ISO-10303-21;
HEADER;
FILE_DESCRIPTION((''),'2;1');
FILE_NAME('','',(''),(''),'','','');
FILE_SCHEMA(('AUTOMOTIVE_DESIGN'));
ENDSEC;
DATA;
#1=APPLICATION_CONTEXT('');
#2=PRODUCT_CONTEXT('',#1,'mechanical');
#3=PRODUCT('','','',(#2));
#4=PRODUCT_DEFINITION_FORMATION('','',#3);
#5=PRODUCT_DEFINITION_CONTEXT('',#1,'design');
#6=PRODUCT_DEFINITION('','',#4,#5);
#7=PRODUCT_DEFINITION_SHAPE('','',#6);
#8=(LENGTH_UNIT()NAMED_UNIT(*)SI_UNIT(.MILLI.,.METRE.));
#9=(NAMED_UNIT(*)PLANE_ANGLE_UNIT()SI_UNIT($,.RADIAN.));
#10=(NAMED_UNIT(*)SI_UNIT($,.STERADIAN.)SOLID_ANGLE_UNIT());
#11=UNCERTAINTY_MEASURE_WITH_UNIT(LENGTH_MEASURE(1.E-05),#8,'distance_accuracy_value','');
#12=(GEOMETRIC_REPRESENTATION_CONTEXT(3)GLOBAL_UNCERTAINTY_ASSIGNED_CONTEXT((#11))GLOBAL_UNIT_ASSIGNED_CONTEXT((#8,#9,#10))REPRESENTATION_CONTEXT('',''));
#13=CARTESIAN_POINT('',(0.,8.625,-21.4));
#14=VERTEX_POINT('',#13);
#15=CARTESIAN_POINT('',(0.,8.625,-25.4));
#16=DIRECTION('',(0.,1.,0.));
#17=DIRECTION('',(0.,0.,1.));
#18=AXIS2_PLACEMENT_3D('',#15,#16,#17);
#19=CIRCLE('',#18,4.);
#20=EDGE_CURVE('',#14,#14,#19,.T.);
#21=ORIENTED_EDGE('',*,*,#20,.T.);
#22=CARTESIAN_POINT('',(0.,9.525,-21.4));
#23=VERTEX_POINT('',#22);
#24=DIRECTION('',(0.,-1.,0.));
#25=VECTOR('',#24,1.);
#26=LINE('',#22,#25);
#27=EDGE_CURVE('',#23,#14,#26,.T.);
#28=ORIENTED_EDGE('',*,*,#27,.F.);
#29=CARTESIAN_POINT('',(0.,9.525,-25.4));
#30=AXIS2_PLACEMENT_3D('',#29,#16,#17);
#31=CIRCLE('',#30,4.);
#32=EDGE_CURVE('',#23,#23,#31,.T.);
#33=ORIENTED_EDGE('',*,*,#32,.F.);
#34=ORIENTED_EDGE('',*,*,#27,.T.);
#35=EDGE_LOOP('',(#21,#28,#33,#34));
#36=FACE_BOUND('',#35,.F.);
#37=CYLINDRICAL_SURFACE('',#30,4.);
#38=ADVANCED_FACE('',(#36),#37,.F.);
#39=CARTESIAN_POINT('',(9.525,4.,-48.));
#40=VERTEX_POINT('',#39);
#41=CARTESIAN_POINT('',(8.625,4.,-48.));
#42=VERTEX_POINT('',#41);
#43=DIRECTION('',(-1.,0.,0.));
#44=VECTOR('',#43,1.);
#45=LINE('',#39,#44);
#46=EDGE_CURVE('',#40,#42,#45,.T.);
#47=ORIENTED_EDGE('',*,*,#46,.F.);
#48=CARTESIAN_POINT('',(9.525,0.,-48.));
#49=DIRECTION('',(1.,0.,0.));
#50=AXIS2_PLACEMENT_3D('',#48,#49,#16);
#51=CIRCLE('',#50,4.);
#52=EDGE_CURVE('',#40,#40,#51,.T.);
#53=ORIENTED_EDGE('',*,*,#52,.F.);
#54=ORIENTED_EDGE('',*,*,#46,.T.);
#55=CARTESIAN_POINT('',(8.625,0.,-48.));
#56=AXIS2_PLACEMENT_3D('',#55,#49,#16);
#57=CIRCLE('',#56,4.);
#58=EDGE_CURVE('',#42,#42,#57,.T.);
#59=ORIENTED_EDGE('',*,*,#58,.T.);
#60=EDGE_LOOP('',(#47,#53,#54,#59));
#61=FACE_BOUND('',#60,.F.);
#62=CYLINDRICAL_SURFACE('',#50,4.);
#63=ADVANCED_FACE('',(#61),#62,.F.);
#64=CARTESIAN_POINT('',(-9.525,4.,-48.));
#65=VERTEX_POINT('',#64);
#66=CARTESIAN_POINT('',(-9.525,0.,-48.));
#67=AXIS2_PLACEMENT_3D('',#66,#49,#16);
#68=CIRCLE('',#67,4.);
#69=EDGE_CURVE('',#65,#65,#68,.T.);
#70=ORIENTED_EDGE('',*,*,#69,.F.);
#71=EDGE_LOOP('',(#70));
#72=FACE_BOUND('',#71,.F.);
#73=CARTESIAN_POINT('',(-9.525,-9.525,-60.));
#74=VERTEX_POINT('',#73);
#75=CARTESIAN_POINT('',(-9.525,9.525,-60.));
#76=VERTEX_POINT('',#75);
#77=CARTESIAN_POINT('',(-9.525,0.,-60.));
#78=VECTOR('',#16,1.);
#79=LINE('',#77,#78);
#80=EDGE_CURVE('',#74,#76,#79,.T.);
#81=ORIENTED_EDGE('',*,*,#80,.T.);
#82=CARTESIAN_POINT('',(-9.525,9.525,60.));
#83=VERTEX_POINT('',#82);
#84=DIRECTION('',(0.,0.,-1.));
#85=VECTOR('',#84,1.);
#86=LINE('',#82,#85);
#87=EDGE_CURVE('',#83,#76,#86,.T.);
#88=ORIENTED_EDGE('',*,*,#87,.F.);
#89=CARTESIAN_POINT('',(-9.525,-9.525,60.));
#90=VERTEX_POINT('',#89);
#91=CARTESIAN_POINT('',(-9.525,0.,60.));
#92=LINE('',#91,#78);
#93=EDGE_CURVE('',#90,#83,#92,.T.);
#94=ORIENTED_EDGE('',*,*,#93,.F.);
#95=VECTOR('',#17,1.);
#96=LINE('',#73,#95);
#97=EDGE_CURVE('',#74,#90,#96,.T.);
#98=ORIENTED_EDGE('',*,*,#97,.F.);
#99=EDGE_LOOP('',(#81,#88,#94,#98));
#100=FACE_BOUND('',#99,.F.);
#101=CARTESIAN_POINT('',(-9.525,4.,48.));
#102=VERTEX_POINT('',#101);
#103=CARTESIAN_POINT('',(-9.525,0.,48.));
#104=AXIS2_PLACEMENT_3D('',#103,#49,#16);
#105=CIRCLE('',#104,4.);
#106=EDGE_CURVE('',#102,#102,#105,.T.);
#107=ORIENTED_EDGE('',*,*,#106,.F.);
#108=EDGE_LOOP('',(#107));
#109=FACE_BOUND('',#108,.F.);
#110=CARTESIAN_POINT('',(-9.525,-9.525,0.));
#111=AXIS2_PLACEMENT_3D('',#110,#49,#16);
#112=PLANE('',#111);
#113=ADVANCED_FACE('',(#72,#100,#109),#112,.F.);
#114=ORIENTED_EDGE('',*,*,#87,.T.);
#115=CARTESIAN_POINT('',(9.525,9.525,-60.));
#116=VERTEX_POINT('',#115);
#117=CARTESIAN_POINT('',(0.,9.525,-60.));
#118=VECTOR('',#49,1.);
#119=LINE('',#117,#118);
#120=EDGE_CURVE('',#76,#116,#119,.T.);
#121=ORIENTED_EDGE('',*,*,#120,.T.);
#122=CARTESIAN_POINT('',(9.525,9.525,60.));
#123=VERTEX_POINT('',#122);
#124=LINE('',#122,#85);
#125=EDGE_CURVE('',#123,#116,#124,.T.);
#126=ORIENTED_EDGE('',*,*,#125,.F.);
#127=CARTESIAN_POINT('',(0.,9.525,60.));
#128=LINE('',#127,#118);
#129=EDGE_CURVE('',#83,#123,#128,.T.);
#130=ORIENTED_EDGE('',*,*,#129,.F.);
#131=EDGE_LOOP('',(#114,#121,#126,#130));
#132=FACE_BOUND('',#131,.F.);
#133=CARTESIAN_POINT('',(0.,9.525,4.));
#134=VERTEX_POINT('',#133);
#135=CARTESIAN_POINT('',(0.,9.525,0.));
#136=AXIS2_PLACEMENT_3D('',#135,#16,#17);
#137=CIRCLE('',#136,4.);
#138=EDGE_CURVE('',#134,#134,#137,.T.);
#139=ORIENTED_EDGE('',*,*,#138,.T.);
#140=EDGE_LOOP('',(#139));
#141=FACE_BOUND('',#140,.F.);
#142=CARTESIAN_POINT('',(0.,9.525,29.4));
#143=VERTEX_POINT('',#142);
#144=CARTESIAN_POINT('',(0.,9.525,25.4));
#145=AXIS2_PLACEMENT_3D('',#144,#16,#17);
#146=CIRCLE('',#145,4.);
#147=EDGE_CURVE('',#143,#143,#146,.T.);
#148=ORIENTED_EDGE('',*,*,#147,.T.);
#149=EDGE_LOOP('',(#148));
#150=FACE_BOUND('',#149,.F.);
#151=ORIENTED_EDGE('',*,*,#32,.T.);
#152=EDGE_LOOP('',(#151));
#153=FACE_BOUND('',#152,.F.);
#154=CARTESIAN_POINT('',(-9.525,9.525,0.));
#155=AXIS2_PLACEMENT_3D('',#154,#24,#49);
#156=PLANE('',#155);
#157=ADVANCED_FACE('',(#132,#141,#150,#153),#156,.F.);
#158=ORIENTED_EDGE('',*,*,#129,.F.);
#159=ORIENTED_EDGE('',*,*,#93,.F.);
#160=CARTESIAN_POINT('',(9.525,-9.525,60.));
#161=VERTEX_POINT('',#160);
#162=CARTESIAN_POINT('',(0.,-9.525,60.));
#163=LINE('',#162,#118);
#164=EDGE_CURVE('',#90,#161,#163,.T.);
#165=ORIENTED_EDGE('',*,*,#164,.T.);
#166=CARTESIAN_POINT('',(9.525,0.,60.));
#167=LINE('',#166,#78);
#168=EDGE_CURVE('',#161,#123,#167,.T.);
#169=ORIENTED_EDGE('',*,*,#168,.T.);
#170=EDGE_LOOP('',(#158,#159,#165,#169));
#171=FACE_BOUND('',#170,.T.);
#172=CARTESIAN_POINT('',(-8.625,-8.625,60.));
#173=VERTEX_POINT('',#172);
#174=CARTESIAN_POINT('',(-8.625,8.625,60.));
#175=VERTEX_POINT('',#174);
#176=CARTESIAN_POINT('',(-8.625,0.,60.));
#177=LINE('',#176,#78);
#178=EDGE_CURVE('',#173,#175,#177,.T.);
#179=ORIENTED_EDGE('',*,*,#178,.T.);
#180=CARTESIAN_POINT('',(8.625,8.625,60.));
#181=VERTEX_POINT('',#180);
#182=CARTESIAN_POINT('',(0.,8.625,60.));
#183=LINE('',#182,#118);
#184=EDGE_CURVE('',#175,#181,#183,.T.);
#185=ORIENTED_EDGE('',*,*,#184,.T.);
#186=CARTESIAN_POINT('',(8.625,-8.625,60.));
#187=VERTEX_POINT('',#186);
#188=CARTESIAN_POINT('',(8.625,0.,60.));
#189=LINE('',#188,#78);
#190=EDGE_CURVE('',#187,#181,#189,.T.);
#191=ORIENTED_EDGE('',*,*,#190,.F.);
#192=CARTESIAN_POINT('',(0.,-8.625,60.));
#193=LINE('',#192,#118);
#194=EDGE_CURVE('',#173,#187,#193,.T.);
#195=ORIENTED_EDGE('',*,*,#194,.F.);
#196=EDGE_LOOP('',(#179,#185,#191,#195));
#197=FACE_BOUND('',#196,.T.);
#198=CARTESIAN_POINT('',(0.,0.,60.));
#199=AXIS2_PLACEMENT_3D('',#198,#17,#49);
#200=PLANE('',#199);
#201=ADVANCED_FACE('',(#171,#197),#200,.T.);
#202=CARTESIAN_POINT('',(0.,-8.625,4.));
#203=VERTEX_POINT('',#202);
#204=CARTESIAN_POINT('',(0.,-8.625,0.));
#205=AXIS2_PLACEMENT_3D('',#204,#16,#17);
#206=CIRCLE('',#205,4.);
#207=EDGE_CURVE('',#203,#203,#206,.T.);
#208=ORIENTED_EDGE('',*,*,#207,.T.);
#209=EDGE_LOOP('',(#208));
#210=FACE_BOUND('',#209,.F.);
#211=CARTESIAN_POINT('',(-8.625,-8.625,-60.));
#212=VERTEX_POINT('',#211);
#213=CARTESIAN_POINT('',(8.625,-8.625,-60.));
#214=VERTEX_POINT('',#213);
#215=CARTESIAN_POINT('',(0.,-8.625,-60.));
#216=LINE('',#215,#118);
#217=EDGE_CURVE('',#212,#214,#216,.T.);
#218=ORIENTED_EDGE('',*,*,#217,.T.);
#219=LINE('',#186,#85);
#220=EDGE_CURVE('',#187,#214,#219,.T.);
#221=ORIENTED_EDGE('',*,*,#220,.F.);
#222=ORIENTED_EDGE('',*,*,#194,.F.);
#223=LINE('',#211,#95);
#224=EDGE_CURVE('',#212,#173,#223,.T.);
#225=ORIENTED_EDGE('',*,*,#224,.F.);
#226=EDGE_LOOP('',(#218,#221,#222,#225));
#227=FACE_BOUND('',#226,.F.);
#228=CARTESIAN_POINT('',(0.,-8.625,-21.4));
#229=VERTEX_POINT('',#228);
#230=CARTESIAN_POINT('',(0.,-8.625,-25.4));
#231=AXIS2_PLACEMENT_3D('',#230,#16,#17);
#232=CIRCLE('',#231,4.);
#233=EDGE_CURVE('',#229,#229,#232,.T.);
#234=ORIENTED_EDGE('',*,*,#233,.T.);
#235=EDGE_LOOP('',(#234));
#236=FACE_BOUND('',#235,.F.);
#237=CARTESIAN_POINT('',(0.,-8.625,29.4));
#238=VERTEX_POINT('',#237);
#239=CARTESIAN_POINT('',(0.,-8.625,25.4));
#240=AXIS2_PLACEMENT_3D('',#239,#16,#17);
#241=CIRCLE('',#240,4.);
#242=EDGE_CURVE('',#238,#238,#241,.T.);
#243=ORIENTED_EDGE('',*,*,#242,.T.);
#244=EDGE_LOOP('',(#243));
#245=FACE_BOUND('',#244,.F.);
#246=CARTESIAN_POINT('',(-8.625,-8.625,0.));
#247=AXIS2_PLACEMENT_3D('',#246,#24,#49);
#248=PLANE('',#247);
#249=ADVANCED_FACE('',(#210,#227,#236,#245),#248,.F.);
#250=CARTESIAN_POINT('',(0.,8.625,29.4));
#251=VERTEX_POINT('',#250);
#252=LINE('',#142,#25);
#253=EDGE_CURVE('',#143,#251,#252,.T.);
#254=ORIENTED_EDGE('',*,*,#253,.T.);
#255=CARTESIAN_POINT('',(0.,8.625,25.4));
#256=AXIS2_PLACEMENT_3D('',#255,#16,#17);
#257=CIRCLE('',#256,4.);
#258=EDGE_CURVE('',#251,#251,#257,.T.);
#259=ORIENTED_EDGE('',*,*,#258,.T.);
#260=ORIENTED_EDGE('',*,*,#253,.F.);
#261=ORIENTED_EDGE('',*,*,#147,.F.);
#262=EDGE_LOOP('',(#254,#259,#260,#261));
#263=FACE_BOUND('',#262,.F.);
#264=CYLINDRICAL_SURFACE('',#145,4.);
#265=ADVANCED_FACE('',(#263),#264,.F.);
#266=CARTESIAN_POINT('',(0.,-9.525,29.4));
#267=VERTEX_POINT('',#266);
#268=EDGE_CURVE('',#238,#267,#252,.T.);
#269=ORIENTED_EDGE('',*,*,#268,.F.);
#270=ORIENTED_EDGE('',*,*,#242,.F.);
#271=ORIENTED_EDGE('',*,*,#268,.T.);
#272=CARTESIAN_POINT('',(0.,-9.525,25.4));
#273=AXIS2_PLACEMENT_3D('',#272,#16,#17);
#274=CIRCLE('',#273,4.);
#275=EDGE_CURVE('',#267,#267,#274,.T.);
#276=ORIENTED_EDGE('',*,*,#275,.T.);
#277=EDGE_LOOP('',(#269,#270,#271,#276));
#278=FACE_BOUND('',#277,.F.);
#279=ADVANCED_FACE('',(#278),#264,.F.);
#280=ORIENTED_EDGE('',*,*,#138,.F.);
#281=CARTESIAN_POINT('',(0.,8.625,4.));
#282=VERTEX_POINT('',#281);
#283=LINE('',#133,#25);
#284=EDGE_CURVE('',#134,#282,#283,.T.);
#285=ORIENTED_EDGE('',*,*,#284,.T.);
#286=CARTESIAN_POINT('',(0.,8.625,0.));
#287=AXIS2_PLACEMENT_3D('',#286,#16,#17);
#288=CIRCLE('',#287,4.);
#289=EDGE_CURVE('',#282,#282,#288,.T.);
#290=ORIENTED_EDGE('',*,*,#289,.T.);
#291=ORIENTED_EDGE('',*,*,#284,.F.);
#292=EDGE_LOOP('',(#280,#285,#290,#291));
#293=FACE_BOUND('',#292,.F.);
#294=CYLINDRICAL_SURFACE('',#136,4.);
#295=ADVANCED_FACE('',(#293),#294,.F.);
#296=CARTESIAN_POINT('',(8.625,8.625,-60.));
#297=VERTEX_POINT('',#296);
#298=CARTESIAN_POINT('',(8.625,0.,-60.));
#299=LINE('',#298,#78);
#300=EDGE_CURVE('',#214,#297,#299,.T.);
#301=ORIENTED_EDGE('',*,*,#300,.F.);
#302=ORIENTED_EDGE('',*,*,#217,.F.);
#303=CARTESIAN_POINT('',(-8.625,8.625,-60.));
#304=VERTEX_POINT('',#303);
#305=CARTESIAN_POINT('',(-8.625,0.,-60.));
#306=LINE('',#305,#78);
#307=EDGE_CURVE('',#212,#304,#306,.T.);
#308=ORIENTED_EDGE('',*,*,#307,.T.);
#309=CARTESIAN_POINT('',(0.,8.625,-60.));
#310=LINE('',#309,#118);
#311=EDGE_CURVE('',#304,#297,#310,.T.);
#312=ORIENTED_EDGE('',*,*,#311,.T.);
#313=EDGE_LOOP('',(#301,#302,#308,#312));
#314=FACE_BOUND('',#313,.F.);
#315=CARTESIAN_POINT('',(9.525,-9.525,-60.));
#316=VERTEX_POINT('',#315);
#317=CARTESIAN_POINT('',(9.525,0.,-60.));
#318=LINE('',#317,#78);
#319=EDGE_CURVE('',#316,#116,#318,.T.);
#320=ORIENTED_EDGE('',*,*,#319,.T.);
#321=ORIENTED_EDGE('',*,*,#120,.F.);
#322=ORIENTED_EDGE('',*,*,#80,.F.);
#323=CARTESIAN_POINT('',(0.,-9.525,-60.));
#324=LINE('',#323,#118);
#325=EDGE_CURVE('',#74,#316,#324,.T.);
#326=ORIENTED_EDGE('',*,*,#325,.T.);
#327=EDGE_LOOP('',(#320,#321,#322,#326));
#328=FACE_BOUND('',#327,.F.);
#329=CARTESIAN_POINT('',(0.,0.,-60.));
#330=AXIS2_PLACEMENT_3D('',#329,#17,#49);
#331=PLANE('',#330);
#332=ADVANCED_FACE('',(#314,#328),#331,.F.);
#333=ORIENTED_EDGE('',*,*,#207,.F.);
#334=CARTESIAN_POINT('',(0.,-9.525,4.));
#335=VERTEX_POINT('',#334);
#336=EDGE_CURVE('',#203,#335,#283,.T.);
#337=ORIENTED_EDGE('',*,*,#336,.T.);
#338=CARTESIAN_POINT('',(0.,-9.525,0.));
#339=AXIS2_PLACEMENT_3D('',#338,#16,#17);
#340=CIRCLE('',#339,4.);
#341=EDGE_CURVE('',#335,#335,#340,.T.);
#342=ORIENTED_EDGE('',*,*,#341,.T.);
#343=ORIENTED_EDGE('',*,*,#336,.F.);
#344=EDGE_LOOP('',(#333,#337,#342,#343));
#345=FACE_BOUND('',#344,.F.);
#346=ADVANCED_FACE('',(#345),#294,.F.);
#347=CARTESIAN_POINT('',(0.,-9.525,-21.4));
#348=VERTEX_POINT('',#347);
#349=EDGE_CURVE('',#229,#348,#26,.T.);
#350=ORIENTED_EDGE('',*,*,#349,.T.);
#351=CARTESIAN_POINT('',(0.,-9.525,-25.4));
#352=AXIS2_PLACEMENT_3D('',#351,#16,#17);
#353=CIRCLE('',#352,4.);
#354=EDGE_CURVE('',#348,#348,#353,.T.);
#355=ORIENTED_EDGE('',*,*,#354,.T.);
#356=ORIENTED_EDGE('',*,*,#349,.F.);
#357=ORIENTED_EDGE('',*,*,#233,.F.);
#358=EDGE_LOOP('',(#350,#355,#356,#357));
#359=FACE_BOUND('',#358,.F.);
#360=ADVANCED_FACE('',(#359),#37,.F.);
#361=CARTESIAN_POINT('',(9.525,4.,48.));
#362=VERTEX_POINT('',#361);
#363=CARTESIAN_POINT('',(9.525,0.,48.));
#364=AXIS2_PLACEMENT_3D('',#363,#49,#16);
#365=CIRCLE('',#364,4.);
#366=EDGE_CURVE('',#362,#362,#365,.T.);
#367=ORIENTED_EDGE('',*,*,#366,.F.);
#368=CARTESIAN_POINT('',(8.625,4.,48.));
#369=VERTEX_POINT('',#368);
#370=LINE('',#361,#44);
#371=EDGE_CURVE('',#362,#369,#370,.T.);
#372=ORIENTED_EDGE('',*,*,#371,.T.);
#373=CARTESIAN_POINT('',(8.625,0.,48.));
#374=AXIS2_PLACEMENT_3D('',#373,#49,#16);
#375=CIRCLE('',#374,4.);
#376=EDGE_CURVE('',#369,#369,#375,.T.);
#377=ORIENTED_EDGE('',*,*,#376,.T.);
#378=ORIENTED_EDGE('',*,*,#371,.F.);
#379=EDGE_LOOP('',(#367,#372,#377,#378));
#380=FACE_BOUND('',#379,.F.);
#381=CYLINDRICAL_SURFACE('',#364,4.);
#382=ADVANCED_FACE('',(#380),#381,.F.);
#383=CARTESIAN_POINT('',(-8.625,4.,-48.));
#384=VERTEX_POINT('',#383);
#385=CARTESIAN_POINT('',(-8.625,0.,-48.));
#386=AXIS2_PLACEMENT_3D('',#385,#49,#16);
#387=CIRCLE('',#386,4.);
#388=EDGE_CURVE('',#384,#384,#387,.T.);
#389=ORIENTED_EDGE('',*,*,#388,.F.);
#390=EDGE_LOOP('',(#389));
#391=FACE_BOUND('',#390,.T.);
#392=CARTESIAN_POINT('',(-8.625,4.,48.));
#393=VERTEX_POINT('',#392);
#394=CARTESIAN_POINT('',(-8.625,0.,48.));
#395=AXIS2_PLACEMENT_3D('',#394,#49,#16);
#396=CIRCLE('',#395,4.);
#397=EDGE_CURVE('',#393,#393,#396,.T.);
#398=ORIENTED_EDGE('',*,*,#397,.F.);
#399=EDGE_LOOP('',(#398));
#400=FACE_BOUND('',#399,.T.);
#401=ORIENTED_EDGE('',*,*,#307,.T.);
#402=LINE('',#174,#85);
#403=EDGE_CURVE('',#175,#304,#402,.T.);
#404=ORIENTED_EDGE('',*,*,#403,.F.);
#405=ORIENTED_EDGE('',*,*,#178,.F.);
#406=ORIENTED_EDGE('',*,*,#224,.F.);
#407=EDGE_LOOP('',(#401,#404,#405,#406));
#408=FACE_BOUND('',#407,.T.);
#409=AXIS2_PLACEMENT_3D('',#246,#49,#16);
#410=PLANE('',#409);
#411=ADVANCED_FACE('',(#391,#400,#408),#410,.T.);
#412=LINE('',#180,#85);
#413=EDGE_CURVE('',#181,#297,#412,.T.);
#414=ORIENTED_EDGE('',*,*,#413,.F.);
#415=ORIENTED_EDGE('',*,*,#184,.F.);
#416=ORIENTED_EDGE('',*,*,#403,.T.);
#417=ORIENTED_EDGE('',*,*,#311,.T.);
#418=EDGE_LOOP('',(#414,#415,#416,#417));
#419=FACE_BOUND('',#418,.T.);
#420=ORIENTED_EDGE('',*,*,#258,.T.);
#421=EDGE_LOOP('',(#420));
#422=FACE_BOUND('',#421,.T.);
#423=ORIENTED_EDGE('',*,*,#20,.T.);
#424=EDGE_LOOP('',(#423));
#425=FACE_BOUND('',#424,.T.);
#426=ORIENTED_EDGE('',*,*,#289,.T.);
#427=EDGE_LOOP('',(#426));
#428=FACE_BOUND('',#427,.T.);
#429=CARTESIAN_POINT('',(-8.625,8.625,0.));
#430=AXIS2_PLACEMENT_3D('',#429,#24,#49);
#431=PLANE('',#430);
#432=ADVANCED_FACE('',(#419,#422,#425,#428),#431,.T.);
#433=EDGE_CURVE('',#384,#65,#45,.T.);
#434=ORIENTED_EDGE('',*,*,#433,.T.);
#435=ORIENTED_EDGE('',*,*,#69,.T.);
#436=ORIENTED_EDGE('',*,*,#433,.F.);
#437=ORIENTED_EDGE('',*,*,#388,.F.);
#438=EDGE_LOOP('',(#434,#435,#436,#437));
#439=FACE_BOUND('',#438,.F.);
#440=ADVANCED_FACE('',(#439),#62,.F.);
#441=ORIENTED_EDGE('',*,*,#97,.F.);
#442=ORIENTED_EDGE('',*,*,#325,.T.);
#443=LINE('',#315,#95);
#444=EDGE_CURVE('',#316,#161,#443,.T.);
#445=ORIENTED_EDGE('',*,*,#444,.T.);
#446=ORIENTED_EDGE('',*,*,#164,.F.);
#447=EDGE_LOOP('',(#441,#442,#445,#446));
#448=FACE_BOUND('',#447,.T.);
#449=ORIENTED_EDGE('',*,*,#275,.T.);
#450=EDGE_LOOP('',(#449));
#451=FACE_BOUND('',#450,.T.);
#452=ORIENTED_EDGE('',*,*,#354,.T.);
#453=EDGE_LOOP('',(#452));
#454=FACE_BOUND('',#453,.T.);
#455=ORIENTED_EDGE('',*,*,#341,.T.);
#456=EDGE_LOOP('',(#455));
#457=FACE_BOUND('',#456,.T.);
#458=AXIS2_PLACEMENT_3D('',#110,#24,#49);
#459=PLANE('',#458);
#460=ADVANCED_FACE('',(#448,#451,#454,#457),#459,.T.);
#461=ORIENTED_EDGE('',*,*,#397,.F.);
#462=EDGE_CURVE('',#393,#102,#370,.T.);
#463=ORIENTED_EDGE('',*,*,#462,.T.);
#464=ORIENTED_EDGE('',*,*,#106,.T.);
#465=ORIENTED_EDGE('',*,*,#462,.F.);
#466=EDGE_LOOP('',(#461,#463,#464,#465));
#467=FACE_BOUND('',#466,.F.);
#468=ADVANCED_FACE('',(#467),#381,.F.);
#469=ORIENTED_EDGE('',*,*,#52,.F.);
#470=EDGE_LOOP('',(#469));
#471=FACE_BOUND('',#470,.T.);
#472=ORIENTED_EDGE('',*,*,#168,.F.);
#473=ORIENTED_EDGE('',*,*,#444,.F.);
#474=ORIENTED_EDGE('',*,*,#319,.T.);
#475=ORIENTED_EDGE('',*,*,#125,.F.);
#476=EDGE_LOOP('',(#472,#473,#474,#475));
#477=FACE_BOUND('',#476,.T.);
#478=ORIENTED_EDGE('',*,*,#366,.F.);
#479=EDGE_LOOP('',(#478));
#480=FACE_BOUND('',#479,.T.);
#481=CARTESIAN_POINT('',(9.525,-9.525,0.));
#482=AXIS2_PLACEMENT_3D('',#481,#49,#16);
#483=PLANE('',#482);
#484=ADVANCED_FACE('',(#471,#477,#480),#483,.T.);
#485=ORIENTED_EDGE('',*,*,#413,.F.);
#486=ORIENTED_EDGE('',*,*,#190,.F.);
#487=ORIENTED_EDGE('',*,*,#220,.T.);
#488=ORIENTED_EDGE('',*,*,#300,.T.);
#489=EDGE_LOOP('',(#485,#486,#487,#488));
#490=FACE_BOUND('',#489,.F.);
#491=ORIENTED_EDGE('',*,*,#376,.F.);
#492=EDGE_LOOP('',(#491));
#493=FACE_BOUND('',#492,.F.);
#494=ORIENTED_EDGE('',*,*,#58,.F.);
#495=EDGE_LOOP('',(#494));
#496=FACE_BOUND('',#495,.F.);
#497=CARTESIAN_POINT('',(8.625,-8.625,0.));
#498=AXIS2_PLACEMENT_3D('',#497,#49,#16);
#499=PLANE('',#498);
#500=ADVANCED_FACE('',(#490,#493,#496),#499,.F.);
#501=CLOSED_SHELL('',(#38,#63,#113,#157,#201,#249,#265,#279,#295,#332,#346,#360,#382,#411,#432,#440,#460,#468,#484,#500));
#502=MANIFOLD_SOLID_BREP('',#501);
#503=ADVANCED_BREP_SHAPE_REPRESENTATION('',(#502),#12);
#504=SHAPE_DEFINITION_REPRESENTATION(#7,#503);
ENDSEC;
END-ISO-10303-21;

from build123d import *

# Parameters (mm, degrees)
SKETCH1_W           = 19.05
SKETCH1_H           = 19.05
SKETCH1_W_2         = 17.25
SKETCH1_H_2         = 17.25
EXTRUDE_THIN1_DEPTH = 60
SKETCH2_R           = 4
CUT_EXTRUDE1_DEPTH  = 64.668109168
SKETCH3_R           = 4
CUT_EXTRUDE2_DEPTH  = 64.668109168


with BuildPart() as part:
    # Sketch1 → Extrude-Thin1 (new, symmetric)
    with BuildSketch(Plane.XY):
        Rectangle(SKETCH1_W, SKETCH1_H)
        Rectangle(SKETCH1_W_2, SKETCH1_H_2, mode=Mode.SUBTRACT)
    extrude(amount=EXTRUDE_THIN1_DEPTH, both=True)

    # Sketch2 → Cut-Extrude1 (cut, through all)
    with BuildSketch(Plane(origin=(9.525, 0, 0), x_dir=(0, 0, -1), z_dir=(1, 0, 0))):
        with Locations(Location((-48, 0, 0), (0, 0, 90))):
            Circle(SKETCH2_R)
        with Locations(Location((48, 0, 0), (0, 0, 90))):
            Circle(SKETCH2_R)
    extrude(amount=-CUT_EXTRUDE1_DEPTH, mode=Mode.SUBTRACT)

    # Sketch3 → Cut-Extrude2 (cut, through all)
    with BuildSketch(Plane(origin=(0, 9.525, 0), x_dir=(1, 0, 0), z_dir=(0, 1, 0))):
        with Locations(Location((0, -25.4, 0), (0, 0, 270))):
            Circle(SKETCH3_R)
        with Locations(Location((0, 25.4, 0), (0, 0, 270))):
            Circle(SKETCH3_R)
        with Locations(Location((0, 0, 0), (0, 0, 270))):
            Circle(SKETCH3_R)
    extrude(amount=-CUT_EXTRUDE2_DEPTH, mode=Mode.SUBTRACT)


solid = part.part
